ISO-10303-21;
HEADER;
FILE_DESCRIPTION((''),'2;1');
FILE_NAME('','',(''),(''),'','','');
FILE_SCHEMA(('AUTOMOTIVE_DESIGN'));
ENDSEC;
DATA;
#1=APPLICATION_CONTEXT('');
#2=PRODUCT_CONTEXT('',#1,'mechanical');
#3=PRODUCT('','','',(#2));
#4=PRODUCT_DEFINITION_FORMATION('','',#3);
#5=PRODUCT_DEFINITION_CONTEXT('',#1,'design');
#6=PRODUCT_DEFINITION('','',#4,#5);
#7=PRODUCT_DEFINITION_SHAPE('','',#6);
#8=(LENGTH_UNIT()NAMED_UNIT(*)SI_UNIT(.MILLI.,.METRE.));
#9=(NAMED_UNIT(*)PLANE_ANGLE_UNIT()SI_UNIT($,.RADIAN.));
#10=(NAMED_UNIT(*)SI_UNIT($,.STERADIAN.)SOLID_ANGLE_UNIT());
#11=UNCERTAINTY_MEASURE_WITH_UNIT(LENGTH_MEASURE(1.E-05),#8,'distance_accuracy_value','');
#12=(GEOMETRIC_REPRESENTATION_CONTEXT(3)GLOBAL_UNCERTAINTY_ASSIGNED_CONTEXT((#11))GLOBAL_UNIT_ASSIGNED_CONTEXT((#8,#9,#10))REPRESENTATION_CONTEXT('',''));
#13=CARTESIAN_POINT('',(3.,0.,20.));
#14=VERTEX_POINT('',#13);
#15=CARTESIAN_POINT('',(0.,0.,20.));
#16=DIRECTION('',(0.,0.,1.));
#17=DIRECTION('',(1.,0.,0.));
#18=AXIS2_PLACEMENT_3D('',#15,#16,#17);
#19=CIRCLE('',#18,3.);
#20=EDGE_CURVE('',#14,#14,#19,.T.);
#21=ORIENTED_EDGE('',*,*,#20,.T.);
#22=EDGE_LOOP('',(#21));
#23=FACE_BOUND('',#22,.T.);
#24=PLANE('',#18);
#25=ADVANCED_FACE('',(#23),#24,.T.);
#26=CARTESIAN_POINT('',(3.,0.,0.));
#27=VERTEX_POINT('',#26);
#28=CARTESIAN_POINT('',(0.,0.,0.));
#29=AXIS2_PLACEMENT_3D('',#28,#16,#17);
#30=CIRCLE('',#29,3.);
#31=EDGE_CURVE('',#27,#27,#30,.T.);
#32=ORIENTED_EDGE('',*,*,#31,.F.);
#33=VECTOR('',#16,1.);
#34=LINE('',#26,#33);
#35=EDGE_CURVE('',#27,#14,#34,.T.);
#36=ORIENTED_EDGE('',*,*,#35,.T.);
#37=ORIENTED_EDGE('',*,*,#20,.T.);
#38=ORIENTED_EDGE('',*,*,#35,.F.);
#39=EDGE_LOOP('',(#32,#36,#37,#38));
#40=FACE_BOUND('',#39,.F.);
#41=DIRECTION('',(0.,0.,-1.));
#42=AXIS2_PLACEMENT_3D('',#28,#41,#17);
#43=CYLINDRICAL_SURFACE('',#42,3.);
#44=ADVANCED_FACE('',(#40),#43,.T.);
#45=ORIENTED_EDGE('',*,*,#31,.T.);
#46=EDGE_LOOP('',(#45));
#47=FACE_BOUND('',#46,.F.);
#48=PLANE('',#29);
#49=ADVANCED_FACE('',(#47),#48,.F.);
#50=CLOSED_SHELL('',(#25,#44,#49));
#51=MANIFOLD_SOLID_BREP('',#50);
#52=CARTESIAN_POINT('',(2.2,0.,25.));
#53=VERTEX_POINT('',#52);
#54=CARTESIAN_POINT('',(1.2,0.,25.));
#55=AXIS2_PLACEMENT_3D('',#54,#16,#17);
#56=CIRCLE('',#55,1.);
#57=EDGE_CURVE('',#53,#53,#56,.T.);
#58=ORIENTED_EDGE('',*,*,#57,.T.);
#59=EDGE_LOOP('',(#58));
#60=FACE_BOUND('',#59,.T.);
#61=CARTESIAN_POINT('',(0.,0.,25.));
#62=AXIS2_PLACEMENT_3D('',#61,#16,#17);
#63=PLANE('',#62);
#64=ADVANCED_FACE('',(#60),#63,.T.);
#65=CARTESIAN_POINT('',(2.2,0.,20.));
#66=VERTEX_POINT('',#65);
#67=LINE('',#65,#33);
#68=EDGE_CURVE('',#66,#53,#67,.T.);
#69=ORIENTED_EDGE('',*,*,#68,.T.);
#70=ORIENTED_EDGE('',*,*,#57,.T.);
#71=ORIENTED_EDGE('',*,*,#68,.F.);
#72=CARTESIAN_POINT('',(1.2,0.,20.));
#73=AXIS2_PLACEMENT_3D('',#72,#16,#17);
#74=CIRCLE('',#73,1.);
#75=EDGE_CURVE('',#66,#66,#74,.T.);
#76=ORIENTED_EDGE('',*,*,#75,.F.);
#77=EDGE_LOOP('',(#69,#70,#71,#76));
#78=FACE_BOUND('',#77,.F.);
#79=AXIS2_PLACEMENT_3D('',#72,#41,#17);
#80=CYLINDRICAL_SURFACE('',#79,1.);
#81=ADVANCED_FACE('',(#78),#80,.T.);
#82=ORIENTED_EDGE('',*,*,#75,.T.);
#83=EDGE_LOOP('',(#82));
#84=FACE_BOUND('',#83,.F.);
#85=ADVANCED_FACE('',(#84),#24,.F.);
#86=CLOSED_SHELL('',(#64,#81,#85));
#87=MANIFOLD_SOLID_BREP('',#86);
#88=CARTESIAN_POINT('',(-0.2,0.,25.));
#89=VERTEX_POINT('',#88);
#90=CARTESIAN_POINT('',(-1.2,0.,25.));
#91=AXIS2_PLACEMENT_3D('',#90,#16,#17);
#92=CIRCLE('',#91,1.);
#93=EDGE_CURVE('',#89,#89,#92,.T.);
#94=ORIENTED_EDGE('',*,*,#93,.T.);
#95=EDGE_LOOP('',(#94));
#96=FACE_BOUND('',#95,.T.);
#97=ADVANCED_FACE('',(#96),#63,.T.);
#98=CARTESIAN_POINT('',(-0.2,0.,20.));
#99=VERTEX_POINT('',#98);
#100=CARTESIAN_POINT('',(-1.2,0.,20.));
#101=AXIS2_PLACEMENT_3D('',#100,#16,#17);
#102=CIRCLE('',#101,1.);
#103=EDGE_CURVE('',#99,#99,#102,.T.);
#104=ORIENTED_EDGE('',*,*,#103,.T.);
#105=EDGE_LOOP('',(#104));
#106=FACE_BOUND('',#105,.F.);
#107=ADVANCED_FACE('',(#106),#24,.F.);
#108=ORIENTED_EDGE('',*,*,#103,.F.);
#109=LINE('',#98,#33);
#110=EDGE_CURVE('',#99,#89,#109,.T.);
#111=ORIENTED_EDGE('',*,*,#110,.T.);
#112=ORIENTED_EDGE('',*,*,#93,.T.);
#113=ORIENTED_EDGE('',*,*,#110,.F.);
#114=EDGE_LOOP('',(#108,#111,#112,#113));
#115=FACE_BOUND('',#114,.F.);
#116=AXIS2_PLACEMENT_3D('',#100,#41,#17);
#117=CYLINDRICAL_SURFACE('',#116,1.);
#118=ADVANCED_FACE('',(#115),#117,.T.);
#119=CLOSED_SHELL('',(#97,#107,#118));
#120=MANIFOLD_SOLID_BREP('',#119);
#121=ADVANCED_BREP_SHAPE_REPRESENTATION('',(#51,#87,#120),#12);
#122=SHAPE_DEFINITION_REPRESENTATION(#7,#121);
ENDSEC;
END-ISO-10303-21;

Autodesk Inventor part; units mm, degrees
ref_plane "YZ Plane" through (0, 0, 0) normal (1, 0, 0) x (0, 1, 0)
ref_plane "XZ Plane" through (0, 0, 0) normal (0, 1, 0) x (-1, 0, 0)
ref_plane "XY Plane" through (0, 0, 0) normal (0, 0, 1) x (1, 0, 0)
sketch "Sketch1" plane through (0, 0, 0) normal (0, 0, 1) x (1, 0, 0)
  circle A0 centre (0, 0) radius 3 projected
extrude "Extrusion1" add sketch "Sketch1" along normal blind 20
sketch "Sketch2" plane through (0, 0, 20) normal (0, 0, 1) x (1, 0, 0)
  circle A0 centre (0, 0) radius 3 projected
  circle A1 centre (-1.2, 0) radius 1
  circle A2 centre (1.2, 0) radius 1
  dimension "d2" = 2
  dimension "d3" = 2
  dimension "d4" = 1.2
  dimension "d5" = 1.2
extrude "Extrusion2" add sketch "Sketch2" along normal blind 5 separate body contours A1 | A2
properties material "Stainless Steel"
